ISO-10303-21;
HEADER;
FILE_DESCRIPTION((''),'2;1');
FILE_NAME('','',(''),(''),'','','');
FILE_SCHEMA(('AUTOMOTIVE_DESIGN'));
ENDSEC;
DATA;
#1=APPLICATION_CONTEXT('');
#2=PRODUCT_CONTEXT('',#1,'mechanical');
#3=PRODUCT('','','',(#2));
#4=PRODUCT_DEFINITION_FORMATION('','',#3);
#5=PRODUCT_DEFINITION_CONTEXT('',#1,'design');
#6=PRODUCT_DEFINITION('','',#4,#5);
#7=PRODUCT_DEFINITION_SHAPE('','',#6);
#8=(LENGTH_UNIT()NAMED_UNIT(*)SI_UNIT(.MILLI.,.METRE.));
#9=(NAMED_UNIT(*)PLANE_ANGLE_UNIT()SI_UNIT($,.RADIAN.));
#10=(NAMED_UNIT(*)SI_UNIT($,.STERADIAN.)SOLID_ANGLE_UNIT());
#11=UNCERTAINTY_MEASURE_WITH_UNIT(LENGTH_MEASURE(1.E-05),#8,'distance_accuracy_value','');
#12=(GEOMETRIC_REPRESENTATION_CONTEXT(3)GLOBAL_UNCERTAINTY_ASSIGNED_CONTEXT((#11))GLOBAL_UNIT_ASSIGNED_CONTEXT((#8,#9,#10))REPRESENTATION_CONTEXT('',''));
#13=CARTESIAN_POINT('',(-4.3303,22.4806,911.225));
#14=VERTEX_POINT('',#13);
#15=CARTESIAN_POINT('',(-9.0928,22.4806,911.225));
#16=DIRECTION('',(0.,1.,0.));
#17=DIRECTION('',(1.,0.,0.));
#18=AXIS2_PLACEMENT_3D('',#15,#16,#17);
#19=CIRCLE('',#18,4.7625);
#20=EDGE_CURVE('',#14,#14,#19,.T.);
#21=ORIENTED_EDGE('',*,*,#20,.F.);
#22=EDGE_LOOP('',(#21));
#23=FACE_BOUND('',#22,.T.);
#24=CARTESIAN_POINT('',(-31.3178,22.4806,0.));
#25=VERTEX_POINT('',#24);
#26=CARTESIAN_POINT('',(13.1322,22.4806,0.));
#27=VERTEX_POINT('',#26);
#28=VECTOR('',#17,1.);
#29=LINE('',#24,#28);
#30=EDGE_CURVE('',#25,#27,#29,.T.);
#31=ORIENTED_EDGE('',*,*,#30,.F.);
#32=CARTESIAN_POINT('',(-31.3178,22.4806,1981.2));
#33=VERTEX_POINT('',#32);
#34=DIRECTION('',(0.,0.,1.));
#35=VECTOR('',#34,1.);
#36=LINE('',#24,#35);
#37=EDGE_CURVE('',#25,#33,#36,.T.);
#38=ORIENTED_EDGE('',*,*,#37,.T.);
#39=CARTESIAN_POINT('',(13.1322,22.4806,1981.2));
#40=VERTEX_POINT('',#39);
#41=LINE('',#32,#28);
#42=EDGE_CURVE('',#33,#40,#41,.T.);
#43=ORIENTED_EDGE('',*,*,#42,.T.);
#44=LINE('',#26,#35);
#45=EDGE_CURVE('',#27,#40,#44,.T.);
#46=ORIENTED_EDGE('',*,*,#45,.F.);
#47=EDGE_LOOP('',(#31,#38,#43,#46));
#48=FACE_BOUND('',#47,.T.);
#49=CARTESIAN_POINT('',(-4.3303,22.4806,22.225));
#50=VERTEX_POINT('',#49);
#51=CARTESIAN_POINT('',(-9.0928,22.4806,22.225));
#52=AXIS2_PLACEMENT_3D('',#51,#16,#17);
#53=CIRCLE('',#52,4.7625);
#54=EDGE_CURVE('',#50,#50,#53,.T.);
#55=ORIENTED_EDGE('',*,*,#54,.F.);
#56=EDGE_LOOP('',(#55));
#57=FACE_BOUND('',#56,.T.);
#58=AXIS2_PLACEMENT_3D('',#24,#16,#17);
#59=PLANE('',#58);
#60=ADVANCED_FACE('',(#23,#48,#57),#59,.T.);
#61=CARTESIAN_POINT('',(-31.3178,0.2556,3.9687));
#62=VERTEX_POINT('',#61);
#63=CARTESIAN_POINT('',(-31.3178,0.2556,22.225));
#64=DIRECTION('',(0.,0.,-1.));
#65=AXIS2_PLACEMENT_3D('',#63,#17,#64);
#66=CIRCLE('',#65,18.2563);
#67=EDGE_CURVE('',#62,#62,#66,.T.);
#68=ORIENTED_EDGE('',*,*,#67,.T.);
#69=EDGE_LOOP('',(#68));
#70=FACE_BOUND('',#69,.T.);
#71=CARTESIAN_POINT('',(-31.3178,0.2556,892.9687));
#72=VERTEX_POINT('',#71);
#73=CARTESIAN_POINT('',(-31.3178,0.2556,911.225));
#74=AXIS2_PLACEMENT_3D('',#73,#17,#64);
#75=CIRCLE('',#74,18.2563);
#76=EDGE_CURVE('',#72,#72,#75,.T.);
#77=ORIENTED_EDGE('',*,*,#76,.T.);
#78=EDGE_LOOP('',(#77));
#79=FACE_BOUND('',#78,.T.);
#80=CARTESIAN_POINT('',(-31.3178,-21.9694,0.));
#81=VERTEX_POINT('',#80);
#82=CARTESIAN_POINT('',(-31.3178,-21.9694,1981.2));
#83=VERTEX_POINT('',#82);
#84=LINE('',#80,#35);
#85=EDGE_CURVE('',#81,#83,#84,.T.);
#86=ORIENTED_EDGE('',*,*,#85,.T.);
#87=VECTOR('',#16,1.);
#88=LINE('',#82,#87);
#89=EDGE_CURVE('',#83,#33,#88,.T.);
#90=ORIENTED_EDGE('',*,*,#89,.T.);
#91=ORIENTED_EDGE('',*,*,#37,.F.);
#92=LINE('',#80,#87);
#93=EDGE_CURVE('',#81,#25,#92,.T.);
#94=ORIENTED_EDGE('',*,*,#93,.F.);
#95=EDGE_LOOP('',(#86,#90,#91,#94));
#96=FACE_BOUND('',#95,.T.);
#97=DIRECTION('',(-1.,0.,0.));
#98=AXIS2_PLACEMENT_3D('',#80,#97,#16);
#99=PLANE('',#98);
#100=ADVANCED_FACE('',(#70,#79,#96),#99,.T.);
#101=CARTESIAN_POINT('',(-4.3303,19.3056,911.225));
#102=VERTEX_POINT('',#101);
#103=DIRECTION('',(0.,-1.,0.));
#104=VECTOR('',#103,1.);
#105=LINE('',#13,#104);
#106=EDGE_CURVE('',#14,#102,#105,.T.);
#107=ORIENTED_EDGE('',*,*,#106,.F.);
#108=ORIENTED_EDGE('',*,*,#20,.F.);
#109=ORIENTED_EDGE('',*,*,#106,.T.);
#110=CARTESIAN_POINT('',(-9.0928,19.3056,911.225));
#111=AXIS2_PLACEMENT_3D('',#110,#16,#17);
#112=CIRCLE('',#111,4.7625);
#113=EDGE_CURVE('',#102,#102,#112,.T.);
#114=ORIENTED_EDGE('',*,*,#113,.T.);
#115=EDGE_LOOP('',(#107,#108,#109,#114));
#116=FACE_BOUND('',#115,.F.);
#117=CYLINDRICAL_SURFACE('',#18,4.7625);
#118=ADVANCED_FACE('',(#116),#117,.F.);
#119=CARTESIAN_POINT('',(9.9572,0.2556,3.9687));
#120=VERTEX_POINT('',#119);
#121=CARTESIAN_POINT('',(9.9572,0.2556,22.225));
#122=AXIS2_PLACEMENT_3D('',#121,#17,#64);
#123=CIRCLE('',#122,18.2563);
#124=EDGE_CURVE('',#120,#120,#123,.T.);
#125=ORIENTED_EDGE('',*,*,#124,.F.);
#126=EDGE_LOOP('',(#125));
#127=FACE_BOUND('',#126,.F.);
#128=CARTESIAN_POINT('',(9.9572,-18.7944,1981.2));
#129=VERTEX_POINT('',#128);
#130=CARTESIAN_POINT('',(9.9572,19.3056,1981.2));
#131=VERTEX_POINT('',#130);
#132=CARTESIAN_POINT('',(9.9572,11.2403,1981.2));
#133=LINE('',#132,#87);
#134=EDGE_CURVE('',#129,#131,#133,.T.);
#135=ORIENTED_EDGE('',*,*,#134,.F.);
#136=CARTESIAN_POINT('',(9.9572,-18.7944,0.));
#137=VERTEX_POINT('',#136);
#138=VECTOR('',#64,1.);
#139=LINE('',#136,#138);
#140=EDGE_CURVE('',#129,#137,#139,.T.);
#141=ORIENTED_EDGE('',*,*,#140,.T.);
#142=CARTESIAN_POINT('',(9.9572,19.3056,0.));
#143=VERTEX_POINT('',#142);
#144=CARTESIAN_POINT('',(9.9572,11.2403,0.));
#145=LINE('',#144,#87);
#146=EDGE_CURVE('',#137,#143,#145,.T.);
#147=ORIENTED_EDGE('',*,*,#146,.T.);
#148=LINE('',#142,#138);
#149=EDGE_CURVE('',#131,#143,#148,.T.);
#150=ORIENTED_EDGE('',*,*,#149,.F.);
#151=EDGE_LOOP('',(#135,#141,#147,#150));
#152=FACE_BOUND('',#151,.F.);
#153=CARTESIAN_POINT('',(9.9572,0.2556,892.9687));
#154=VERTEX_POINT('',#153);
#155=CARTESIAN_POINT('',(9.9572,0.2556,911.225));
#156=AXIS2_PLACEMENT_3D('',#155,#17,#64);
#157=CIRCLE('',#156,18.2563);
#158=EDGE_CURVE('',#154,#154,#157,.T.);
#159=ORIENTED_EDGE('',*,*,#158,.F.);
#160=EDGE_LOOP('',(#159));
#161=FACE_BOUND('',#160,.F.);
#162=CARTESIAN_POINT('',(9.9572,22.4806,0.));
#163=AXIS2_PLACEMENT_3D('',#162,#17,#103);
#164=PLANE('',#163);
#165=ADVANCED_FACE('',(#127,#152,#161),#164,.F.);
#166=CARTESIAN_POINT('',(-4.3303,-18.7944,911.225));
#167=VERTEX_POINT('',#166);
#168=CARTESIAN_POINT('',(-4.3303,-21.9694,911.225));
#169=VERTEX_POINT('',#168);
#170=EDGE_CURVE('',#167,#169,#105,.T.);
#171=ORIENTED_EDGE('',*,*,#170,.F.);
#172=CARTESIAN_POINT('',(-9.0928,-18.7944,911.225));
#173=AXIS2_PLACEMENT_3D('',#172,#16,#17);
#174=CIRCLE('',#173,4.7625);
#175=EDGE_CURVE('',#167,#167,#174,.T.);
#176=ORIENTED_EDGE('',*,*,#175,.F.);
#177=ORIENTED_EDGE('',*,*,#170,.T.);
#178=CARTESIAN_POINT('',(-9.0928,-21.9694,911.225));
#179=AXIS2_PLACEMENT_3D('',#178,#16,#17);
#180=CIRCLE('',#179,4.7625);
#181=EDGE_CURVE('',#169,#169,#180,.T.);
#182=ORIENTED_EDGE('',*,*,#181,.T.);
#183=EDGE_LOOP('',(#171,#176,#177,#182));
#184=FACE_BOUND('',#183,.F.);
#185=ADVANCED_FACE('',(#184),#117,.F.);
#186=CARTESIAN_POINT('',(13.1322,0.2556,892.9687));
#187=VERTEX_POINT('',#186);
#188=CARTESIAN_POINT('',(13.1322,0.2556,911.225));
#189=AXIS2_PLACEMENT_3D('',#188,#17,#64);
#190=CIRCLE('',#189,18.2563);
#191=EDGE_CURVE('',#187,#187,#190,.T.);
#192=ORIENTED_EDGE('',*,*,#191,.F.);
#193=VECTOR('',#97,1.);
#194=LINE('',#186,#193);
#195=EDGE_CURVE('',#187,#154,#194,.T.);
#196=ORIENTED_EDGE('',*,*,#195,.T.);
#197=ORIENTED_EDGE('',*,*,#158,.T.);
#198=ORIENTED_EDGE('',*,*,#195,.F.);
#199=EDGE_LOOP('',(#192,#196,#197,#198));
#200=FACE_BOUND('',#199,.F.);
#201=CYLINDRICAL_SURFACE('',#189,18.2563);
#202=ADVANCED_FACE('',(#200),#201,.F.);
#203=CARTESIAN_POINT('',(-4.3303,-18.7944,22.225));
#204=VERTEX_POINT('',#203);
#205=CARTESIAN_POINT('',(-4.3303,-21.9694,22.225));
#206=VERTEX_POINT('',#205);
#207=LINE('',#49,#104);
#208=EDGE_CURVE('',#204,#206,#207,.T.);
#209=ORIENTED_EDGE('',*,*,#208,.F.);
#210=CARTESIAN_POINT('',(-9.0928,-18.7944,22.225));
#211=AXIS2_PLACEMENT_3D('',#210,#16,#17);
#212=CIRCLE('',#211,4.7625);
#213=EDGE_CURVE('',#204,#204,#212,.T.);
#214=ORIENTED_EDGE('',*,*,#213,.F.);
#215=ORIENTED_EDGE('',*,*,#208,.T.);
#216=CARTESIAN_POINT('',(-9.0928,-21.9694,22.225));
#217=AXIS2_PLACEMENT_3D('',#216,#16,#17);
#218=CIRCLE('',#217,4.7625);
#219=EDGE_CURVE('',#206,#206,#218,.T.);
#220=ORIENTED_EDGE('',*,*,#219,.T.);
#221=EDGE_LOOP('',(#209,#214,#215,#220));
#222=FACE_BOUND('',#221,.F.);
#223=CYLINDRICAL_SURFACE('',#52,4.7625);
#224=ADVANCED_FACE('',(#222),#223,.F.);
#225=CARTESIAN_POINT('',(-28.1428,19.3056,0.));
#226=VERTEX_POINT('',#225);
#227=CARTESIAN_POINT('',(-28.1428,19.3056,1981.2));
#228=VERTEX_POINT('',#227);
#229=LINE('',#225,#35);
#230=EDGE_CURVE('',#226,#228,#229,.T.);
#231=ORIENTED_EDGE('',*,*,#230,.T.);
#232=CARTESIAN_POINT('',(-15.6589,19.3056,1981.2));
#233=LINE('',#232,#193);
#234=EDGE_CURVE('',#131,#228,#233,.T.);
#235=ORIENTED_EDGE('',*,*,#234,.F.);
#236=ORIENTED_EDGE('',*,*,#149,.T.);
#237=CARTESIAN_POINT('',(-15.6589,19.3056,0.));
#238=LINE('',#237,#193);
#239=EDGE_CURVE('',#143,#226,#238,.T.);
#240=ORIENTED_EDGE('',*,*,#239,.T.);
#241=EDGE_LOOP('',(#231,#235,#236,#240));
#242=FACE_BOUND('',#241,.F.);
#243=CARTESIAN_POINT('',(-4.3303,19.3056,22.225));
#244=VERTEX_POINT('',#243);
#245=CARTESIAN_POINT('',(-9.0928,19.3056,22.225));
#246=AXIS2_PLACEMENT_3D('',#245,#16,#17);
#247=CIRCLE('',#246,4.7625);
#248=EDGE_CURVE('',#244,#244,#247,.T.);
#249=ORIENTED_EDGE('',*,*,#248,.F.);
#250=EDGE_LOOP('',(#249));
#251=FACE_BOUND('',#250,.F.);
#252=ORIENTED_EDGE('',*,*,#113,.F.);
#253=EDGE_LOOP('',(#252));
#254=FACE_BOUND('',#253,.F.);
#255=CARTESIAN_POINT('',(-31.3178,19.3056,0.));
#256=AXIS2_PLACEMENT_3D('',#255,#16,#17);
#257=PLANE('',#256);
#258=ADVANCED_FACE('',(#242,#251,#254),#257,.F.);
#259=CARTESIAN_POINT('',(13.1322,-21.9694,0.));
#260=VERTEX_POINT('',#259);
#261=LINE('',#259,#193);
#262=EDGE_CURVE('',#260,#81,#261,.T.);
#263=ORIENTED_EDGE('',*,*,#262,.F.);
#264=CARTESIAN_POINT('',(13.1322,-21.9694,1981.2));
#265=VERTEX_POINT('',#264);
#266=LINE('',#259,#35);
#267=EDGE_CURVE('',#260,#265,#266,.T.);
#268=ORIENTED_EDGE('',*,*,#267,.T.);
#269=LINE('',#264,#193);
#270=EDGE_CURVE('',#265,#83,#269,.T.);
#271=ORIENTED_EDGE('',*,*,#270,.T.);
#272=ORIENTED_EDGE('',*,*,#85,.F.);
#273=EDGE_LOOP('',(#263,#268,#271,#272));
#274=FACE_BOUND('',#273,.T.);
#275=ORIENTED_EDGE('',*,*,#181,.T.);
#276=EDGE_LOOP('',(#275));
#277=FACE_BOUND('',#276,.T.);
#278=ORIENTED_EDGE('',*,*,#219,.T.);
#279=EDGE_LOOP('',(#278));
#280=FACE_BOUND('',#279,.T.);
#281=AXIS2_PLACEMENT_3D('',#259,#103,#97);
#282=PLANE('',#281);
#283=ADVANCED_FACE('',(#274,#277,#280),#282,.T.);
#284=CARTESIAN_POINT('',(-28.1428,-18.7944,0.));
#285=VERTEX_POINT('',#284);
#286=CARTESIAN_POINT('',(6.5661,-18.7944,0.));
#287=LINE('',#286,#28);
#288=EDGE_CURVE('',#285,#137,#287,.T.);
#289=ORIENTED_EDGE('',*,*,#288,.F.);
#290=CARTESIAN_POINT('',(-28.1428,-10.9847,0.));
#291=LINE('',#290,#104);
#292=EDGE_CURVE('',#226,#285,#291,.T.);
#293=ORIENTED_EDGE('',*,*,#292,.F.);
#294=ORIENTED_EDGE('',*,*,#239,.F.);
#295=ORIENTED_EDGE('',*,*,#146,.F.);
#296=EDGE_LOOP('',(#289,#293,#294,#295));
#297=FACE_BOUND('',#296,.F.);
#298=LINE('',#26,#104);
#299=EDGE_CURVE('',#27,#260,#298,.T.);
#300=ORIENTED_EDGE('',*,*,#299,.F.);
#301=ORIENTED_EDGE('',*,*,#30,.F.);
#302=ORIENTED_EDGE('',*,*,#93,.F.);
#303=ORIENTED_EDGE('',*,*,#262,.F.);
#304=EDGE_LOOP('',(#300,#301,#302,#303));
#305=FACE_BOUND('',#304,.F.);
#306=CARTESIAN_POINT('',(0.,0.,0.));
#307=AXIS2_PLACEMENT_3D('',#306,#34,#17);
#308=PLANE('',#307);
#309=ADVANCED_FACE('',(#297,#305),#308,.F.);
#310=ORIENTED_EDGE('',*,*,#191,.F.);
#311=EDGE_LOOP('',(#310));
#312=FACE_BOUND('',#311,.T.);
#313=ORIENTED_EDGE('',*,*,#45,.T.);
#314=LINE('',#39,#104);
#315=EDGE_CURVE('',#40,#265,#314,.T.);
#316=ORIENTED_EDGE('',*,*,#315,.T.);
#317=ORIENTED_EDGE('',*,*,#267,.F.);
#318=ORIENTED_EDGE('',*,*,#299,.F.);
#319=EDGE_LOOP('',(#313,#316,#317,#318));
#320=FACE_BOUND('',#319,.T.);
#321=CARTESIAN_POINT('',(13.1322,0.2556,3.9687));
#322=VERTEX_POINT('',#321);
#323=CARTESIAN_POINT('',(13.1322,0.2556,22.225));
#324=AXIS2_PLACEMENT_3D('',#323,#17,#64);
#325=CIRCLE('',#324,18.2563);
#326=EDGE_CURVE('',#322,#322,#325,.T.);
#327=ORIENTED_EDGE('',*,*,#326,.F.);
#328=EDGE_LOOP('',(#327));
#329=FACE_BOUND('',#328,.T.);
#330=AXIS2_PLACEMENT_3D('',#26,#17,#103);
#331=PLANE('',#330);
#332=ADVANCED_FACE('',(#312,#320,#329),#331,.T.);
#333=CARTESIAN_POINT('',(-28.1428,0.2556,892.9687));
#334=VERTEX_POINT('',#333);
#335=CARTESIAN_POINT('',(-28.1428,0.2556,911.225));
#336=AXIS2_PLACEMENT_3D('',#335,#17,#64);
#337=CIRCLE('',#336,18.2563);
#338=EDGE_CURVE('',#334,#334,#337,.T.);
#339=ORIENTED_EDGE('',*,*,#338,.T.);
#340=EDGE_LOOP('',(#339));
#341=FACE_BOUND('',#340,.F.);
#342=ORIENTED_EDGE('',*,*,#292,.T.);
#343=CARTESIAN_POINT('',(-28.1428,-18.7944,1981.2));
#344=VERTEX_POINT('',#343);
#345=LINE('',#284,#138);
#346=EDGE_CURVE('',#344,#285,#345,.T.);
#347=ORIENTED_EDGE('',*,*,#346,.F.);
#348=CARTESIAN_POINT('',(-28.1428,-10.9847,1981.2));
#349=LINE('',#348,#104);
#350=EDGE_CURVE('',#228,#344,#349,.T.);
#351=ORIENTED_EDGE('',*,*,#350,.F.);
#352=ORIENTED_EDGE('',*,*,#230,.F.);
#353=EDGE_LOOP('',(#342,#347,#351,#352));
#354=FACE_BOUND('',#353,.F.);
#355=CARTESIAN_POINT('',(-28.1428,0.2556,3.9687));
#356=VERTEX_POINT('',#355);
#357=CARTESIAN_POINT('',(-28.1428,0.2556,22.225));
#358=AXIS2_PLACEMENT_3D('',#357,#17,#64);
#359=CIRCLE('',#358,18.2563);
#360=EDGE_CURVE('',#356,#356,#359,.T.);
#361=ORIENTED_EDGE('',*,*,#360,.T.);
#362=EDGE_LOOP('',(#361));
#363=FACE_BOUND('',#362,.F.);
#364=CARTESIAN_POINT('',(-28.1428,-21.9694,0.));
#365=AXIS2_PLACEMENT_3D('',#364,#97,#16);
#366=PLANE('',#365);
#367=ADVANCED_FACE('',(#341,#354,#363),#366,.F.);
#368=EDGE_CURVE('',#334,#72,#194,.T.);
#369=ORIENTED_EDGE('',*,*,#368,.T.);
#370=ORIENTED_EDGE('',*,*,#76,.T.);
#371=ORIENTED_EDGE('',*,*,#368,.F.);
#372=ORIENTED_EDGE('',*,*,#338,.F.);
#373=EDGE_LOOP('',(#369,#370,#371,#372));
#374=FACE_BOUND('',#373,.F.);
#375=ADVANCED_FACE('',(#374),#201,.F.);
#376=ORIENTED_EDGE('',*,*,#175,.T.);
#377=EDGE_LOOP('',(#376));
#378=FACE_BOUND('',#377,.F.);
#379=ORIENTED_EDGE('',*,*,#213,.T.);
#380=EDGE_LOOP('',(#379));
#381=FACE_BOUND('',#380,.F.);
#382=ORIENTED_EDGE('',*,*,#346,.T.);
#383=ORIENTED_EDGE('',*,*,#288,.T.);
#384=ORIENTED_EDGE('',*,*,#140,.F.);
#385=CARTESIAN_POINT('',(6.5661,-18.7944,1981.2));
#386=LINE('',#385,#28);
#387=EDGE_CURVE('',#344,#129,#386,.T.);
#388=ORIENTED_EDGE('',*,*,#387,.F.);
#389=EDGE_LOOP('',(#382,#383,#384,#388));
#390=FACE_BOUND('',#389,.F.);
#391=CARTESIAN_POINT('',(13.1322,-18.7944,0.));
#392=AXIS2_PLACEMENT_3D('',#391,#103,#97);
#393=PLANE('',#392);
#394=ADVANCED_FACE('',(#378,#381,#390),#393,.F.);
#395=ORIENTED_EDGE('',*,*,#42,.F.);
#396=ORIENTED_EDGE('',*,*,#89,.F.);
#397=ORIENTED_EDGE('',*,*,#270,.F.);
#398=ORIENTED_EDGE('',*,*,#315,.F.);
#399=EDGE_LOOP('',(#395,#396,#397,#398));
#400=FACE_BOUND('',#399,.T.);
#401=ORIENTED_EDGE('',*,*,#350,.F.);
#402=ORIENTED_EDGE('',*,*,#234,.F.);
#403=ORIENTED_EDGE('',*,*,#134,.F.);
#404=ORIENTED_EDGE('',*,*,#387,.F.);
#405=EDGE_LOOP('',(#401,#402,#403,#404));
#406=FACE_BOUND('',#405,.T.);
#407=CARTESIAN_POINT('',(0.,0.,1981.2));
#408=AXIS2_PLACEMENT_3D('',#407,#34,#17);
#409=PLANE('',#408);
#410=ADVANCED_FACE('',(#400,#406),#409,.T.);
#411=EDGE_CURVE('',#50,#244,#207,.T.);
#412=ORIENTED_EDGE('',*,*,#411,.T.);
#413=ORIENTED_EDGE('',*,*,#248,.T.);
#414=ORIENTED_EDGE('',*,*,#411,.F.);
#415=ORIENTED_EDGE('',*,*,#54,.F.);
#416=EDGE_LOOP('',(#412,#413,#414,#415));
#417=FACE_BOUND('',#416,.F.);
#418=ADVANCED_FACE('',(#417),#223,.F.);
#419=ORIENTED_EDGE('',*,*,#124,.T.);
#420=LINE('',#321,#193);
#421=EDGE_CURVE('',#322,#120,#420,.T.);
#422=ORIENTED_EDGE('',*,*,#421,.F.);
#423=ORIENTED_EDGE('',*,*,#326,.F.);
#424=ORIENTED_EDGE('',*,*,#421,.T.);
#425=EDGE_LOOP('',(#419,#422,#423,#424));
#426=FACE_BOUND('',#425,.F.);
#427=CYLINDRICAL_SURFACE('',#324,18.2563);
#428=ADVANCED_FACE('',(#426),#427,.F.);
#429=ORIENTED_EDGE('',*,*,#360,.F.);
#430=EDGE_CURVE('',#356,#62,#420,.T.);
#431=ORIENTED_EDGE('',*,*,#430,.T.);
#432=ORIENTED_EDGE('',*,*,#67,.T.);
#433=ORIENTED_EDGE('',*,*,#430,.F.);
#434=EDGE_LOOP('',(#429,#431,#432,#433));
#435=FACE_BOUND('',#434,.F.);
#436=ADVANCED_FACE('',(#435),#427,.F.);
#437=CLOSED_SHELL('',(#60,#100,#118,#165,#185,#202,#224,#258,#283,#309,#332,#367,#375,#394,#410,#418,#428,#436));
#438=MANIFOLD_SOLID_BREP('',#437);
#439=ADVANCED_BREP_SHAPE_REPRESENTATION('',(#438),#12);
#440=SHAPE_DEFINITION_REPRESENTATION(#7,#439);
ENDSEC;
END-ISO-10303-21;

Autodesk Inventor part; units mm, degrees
ref_plane "XZ Plane" through (0, 0, 0) normal (0, 1, 0) x (-1, 0, 0)
ref_plane "XY Plane" through (0, 0, 0) normal (0, 0, 1) x (1, 0, 0)
sketch "Sketch1" plane through (0, 0, 0) normal (0, 0, 1) x (1, 0, 0)
  line L0 (-31.3178, 22.4806) -> (13.1322, 22.4806)
  line L1 (13.1322, 22.4806) -> (13.1322, -21.9694)
  line L2 (13.1322, -21.9694) -> (-31.3178, -21.9694)
  line L3 (-31.3178, -21.9694) -> (-31.3178, 22.4806)
  dimension "d0" = 44.45
  dimension "d1" = 44.45
extrude "Extrusion1" add sketch "Sketch1" along normal blind 1981.2
shell "Shell1" thickness 3.175 removed faces 2 at (-16.5012, 7.664, 0) at (-16.5012, 7.664, 1981.2)
sketch "Sketch2" plane through (13.1322, -21.9694, 0) normal (1, 0, 0) x (0, 0, -1)
  line L0 (0, 44.45) -> (0, 0) projected
  line L1 (0, 44.45) -> (-1981.2, 44.45) projected
  circle A0 centre (-911.225, 22.225) radius 18.2563
  circle A1 centre (-22.225, 22.225) radius 18.2563
  dimension "d5" = 36.5125
  dimension "d6" = 44.45
  dimension "d7" = 22.225
  dimension "d16" = 36.5125
  dimension "d17" = 22.225
  dimension "d18" = 889
extrude "Extrusion2" cut sketch "Sketch2" against normal through all
sketch "Sketch3" plane through (-31.3178, 22.4806, 0) normal (0, 1, 0) x (1, 0, 0)
  line L0 (0, 0) -> (0, -1981.2) projected
  circle A0 centre (22.225, -911.225) radius 4.7625
  line L1 (41.275, -929.4813) -> (41.275, -892.9688) projected
  point P0 (44.45, 0)
  point P1 (41.275, -911.225)
  dimension "d11" = 9.525
  dimension "d12" = 44.45
  dimension "d13" = 22.225
extrude "Extrusion3" cut sketch "Sketch3" against normal through all
ref_plane "Work Plane1" through (-9.0928, 22.4806, 911.225) normal (1, 0, 0) x (0, -1, 0)
pattern_linear "Rectangular Pattern1" count 2 spacing 889 along (0, 0, -1) of "Extrusion3"
equation "\"d1\" = d0"
equation "\"d7\" = 0.5 * d6"
equation "\"d16\" = d5"
equation "\"d13\" = 0.5 * d12"
properties part number "FE-00001-05"
